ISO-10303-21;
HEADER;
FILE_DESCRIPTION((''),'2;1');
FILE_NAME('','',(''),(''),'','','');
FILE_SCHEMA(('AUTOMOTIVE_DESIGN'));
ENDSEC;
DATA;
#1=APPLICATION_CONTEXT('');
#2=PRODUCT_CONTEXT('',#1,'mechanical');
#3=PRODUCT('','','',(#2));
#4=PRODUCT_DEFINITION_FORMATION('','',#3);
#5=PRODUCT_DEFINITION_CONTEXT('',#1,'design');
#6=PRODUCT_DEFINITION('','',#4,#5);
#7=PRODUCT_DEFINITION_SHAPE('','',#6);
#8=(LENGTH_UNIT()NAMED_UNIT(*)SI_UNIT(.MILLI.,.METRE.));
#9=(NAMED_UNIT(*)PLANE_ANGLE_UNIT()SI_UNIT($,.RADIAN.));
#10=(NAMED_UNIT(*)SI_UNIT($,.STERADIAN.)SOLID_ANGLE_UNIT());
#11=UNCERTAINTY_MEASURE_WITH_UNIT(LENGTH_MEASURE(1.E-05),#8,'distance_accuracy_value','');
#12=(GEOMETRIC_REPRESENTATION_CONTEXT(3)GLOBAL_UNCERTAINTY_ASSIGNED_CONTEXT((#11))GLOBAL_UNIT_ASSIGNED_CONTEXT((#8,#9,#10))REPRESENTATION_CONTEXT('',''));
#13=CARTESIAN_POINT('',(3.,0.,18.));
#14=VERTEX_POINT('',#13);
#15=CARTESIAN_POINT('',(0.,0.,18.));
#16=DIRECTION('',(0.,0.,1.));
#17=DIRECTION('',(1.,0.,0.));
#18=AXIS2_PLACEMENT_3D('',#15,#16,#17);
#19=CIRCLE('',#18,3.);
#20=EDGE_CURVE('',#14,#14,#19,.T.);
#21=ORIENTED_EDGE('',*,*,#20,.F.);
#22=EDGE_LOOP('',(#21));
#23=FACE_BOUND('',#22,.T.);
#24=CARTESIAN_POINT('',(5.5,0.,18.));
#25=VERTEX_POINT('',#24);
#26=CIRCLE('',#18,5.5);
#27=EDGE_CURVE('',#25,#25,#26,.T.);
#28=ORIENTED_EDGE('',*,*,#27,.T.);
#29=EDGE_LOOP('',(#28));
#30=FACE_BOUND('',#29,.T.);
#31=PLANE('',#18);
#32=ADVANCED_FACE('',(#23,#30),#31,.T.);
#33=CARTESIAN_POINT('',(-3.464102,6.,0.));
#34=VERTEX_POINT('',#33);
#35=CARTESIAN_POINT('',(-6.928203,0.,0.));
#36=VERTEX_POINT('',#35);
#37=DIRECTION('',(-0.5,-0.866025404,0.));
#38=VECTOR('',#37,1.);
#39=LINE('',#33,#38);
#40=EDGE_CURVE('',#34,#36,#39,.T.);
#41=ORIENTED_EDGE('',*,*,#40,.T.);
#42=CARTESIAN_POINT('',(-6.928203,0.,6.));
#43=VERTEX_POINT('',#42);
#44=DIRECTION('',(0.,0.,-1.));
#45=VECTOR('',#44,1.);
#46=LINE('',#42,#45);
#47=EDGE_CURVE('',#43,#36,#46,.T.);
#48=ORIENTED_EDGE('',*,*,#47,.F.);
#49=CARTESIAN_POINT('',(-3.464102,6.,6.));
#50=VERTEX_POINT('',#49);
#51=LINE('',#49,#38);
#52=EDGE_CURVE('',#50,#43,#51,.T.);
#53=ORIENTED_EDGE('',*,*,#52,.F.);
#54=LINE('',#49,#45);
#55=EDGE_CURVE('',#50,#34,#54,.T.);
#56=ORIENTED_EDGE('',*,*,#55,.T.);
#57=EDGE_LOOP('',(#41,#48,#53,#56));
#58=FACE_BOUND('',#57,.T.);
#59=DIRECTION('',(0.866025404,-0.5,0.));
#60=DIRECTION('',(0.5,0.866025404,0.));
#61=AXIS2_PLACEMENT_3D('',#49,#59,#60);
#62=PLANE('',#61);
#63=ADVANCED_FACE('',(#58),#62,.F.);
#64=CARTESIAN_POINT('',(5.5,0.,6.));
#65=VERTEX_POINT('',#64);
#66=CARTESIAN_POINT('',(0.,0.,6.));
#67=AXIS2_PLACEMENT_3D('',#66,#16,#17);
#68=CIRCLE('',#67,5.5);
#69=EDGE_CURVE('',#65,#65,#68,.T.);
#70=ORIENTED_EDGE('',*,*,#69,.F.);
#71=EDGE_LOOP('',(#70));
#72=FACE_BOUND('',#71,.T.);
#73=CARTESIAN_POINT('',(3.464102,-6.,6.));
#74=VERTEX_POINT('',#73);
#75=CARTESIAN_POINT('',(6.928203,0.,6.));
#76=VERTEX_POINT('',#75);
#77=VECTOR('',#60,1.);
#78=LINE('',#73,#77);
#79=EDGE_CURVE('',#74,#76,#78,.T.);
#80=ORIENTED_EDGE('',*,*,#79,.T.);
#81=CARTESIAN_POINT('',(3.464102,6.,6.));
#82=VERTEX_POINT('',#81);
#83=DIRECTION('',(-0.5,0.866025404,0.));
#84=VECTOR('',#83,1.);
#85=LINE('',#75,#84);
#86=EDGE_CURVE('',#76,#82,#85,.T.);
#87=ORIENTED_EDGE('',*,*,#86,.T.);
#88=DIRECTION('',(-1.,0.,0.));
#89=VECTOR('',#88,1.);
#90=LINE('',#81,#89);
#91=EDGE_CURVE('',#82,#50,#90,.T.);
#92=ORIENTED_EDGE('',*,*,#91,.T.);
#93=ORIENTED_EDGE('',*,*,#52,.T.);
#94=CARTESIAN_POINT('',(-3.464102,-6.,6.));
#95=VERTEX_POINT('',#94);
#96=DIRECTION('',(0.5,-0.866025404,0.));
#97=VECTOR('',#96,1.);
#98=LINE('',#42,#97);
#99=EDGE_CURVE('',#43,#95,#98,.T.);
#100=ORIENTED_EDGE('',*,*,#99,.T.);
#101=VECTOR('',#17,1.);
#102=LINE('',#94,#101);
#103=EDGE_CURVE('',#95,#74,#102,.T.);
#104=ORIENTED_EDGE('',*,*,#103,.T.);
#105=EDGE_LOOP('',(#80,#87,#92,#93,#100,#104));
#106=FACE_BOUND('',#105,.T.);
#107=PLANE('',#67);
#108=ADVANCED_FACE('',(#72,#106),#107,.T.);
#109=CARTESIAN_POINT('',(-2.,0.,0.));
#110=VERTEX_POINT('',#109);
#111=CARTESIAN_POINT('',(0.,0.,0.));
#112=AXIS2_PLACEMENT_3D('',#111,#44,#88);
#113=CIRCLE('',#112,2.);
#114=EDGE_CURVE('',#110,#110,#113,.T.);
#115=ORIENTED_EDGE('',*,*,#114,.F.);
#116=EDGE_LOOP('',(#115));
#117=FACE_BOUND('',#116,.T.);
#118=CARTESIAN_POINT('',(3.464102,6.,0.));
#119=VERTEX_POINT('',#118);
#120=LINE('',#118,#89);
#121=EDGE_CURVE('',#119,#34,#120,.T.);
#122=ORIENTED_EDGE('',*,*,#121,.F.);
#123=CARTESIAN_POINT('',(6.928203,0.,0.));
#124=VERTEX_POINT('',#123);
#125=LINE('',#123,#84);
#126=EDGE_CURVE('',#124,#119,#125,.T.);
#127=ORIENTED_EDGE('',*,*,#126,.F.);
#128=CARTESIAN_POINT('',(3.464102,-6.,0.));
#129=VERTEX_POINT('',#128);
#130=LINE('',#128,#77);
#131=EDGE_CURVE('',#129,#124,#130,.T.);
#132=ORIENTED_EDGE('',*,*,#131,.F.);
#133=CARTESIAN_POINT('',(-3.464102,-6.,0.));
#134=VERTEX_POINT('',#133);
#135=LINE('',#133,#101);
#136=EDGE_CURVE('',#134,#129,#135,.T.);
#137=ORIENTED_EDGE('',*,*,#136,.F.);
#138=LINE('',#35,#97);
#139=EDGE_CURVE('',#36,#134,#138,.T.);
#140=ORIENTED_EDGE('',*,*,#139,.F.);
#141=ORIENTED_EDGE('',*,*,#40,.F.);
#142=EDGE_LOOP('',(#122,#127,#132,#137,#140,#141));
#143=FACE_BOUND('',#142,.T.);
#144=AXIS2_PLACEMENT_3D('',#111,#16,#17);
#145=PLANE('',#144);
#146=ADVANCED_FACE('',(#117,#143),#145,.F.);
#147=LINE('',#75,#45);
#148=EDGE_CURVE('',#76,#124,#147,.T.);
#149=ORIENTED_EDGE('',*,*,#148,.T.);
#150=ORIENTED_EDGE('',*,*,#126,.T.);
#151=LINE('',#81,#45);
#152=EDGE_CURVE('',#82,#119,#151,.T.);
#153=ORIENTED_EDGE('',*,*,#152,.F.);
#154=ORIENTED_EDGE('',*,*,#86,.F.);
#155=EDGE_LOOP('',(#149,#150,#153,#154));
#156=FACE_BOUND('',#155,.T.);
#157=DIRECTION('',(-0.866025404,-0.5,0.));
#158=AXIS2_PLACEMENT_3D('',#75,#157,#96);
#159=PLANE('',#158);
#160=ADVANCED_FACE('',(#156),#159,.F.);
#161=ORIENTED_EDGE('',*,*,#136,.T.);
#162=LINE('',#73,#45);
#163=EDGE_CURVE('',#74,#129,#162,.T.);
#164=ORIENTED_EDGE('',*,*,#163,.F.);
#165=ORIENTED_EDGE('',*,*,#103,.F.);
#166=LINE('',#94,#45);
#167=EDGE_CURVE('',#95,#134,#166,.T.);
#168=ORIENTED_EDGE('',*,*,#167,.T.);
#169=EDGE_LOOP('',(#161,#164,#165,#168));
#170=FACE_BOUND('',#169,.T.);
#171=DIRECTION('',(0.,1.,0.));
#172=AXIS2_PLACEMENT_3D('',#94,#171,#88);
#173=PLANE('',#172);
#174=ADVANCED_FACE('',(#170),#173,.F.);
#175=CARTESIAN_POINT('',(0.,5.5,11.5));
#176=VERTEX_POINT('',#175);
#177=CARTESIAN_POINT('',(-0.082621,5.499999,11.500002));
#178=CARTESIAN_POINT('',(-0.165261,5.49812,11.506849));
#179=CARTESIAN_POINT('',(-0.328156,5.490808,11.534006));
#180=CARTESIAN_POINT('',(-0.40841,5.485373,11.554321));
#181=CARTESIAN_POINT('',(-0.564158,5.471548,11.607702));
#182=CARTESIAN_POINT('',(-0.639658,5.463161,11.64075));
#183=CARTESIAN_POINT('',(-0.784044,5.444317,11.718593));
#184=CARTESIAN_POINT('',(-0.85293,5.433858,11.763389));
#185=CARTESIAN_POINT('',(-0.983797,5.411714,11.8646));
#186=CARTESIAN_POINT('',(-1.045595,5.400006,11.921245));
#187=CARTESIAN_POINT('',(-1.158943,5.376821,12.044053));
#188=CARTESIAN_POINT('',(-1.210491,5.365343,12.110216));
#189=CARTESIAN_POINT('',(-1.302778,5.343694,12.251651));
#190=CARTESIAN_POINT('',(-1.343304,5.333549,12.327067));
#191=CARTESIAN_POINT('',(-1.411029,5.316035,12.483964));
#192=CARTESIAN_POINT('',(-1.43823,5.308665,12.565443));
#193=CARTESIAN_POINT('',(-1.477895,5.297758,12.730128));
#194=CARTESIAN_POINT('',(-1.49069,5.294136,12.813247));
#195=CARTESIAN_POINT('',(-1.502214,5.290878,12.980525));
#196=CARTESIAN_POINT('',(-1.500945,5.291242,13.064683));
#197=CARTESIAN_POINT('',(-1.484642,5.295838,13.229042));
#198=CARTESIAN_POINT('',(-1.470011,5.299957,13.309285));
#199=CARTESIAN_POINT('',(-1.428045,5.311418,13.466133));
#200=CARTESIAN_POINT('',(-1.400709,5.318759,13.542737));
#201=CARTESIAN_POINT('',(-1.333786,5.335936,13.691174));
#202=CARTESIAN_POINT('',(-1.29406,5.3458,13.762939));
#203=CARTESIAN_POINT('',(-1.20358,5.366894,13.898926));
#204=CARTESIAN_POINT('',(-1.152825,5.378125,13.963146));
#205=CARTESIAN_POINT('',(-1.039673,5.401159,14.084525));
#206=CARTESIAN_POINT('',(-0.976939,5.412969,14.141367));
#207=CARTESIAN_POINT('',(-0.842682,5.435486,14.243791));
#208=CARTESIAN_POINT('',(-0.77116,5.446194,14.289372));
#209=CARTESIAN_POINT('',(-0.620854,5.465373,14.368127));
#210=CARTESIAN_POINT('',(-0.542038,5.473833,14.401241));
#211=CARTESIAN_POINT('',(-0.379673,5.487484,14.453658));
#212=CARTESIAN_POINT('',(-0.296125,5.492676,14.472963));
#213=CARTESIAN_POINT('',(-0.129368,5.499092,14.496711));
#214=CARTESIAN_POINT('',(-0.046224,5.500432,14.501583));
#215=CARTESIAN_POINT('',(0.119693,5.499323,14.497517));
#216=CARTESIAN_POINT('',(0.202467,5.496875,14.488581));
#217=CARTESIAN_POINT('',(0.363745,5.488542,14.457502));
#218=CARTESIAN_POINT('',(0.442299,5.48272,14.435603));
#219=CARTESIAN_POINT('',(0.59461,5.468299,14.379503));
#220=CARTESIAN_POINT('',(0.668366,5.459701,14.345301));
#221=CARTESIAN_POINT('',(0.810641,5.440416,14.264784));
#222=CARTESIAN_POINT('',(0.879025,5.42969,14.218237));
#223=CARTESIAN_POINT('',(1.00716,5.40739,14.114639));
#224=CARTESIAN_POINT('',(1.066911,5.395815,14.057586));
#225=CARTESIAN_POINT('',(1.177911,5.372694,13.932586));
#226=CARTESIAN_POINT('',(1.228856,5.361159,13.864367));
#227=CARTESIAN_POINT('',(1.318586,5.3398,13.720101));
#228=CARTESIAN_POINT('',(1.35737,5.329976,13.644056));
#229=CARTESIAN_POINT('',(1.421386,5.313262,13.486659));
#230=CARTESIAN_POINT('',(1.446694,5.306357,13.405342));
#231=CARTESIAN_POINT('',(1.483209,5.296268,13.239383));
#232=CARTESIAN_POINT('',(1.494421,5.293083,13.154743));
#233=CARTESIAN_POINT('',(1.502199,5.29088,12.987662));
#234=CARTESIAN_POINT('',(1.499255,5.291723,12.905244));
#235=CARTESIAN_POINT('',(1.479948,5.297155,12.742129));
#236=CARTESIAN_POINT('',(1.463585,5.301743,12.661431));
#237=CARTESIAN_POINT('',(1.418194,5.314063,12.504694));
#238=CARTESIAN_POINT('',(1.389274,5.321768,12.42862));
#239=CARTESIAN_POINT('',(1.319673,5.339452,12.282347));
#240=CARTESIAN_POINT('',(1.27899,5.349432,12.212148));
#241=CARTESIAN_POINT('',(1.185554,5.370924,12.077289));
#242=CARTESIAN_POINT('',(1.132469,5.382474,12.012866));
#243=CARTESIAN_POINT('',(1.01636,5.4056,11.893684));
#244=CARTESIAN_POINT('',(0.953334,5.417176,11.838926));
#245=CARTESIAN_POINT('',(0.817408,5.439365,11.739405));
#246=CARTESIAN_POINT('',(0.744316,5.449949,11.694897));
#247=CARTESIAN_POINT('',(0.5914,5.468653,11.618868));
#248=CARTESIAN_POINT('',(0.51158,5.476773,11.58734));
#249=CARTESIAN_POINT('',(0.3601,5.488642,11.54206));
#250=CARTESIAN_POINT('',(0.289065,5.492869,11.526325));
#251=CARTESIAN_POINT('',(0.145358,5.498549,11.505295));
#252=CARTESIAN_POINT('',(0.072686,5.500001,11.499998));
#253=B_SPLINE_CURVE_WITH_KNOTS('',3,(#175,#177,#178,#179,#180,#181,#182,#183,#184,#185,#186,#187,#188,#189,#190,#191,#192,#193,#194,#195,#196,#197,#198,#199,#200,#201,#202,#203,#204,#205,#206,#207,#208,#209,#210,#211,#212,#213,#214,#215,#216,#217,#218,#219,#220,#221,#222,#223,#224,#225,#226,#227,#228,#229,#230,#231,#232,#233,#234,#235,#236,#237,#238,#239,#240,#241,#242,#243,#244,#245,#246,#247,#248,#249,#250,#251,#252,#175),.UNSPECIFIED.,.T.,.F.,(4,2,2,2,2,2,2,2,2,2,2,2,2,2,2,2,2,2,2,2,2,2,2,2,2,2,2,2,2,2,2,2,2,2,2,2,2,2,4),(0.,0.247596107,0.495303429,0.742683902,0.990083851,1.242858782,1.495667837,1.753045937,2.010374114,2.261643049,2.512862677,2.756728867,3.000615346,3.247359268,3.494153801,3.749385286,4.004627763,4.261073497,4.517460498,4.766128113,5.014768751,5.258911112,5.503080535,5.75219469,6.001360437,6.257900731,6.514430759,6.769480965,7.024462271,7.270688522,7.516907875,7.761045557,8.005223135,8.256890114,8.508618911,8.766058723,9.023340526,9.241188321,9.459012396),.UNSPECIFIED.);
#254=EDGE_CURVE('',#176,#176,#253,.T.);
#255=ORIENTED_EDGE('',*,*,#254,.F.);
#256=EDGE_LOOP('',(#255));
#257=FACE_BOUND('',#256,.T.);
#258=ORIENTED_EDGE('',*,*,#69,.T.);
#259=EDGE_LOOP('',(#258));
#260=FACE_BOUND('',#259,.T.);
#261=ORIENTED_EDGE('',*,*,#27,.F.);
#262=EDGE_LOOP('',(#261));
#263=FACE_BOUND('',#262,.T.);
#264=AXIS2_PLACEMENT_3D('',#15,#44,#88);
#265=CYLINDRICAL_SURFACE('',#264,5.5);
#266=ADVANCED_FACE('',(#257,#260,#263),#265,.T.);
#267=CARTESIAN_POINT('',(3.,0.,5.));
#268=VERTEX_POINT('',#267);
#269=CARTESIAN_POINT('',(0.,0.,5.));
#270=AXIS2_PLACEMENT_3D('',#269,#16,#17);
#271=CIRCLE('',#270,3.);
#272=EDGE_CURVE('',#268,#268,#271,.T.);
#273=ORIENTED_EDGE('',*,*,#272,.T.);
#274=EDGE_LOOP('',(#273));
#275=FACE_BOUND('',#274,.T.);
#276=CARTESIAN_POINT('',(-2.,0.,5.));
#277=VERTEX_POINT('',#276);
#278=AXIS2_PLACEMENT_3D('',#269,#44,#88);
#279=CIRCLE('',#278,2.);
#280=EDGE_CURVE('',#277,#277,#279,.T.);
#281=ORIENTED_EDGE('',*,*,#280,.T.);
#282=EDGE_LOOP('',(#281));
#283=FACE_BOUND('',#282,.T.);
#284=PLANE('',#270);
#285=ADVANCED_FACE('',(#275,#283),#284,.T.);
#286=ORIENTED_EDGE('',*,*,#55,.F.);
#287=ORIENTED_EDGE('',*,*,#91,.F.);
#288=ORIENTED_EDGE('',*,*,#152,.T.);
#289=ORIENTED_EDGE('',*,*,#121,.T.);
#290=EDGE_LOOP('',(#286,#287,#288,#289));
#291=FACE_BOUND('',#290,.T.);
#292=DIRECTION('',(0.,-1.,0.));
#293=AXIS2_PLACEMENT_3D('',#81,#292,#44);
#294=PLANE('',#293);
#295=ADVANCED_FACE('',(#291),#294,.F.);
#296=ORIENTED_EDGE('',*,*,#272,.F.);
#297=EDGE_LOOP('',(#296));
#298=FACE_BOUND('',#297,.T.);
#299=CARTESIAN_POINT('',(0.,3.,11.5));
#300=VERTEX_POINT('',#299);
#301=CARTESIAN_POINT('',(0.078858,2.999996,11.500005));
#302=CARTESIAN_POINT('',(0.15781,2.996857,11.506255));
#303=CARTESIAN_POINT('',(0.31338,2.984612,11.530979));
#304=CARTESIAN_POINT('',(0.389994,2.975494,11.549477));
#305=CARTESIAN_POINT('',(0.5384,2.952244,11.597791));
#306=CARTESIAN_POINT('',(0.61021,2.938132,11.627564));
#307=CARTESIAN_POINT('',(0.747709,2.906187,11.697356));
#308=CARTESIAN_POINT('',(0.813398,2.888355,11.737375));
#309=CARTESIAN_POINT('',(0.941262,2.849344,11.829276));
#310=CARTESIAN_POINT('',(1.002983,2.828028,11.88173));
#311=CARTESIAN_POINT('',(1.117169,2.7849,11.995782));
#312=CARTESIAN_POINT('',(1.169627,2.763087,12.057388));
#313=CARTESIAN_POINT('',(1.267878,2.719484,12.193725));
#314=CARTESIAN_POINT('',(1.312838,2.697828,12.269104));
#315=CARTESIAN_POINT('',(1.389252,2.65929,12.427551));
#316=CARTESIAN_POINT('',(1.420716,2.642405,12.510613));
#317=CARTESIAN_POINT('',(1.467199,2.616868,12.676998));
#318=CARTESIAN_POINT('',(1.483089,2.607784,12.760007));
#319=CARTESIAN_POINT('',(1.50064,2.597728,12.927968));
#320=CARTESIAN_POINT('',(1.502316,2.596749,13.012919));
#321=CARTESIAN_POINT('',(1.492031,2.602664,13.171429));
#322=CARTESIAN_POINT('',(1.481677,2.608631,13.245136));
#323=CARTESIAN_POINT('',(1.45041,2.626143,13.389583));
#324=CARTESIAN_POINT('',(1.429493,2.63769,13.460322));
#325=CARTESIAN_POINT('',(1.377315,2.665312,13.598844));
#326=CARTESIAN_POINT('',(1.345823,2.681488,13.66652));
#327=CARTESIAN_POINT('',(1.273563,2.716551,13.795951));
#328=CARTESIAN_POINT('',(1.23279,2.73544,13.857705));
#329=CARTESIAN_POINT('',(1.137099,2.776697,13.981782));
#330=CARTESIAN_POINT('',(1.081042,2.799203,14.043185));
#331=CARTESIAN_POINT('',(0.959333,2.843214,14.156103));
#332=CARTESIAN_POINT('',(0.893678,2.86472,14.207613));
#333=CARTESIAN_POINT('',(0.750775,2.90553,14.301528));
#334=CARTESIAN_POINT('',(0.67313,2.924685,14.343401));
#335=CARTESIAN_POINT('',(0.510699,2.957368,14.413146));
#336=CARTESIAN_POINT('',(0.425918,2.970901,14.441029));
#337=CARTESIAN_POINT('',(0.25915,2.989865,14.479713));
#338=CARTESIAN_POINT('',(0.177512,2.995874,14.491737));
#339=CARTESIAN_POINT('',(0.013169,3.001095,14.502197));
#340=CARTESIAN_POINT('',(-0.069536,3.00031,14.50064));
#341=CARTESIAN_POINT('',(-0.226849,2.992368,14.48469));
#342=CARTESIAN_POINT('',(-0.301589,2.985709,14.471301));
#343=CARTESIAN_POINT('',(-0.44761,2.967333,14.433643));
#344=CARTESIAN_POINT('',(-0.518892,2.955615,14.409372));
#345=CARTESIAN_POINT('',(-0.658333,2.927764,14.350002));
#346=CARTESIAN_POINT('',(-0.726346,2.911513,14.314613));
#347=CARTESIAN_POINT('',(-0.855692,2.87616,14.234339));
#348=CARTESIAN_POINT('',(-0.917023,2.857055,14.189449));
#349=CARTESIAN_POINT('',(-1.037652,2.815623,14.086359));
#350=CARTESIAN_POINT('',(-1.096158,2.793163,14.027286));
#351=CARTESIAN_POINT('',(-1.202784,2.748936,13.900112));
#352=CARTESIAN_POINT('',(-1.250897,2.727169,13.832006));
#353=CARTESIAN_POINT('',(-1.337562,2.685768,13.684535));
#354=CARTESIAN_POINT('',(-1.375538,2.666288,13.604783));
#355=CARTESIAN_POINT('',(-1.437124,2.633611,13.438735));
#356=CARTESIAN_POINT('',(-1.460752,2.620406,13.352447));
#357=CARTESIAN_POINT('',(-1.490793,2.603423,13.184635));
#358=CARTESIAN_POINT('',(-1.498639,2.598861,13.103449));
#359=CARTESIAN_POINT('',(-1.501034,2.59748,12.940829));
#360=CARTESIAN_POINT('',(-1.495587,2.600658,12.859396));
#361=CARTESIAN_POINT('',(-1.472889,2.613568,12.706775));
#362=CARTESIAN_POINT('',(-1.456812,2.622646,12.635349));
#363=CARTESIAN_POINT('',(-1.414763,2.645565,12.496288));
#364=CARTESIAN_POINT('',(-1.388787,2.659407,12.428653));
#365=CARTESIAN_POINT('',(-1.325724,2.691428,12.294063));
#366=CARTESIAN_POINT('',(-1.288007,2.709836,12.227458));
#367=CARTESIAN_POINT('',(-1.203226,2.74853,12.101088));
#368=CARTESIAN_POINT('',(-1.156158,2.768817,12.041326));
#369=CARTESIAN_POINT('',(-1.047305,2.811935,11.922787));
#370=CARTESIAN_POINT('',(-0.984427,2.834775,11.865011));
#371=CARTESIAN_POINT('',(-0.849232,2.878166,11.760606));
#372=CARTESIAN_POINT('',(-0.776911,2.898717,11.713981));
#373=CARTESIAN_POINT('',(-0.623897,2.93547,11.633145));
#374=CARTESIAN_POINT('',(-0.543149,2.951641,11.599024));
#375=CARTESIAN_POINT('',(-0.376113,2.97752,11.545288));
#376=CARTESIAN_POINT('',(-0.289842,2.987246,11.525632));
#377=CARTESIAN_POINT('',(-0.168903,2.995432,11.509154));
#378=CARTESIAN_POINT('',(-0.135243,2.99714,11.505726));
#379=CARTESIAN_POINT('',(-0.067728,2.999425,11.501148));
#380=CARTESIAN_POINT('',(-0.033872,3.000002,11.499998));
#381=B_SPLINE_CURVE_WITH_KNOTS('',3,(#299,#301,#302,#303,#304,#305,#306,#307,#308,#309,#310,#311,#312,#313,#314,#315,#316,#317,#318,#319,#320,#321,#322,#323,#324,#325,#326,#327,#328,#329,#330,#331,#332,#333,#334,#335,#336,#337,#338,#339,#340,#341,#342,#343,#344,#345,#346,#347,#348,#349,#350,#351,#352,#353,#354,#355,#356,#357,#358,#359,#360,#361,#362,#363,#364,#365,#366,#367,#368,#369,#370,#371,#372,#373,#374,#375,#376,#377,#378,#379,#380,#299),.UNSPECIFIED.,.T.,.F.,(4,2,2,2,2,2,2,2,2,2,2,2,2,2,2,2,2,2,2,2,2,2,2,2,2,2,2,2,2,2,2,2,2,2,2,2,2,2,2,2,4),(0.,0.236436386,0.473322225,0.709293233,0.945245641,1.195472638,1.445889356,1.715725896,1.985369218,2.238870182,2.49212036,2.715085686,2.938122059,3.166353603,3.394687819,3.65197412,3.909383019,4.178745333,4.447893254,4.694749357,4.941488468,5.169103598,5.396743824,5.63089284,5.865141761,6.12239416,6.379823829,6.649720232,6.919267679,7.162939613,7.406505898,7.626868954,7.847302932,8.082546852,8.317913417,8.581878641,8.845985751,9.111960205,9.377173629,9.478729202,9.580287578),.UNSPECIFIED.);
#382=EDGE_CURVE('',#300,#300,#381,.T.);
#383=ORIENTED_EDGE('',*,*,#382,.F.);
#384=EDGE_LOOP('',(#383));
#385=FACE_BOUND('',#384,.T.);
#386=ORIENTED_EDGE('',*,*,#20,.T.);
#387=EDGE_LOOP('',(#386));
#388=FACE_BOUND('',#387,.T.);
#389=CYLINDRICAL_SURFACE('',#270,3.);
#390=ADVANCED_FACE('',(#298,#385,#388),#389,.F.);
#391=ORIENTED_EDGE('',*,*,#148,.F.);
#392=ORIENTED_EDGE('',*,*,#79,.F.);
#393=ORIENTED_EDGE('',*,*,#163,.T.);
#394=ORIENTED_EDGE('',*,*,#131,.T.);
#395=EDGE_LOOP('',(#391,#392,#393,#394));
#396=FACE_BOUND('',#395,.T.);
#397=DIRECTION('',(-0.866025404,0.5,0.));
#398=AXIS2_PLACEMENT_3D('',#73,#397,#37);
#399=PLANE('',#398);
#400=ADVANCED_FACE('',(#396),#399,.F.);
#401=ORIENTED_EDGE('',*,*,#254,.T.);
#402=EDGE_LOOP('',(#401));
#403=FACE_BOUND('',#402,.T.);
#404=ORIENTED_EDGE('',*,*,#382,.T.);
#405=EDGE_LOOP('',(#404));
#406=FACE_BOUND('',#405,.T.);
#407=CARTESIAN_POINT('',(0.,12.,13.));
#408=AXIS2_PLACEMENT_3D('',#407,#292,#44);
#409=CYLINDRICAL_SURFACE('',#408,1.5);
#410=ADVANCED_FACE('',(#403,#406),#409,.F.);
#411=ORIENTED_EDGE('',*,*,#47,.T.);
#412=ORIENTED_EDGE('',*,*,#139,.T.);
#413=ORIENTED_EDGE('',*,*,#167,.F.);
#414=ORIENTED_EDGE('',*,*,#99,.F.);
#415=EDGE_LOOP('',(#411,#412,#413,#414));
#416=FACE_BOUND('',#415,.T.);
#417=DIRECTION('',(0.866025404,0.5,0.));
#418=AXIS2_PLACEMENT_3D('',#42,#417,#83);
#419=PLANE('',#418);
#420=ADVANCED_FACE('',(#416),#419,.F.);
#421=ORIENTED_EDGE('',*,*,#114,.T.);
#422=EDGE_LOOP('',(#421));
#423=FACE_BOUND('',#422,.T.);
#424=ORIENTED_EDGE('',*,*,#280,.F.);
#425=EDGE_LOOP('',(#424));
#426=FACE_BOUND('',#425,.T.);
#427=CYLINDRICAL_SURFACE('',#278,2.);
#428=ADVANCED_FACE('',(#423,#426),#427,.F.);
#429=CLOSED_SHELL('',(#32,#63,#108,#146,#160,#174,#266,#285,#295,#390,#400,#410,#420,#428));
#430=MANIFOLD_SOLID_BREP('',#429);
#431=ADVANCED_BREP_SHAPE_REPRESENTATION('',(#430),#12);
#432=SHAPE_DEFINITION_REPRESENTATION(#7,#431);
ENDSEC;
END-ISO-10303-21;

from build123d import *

# Parameters (mm, degrees)
EXTRUDE_1_DEPTH     = 6
SKETCH_2_R          = 5.5
EXTRUDE_2_DEPTH     = 12
SKETCH_3_R          = 3
CUT_EXTRUDE_1_DEPTH = 13
SKETCH_4_R          = 2
CUT_EXTRUDE_2_DEPTH = 5
SKETCH_5_R          = 1.5
CUT_EXTRUDE_3_DEPTH = 12


with BuildPart() as part:
    # 草图1 → 凸台-拉伸1 (new body)
    with BuildSketch(Plane.XY):
        Polygon((6.92820323, 0), (3.464101615, 6), (-3.464101615, 6), (-6.92820323, 0), (-3.464101615, -6), (3.464101615, -6), align=None)
    extrude(amount=EXTRUDE_1_DEPTH)

    # 草图2 → 凸台-拉伸2 (add)
    with BuildSketch(Plane.XY.offset(6)):
        Circle(SKETCH_2_R)
    extrude(amount=EXTRUDE_2_DEPTH)

    # 草图3 → 切除-拉伸1 (cut)
    with BuildSketch(Plane.XY.offset(18)):
        Circle(SKETCH_3_R)
    extrude(amount=-CUT_EXTRUDE_1_DEPTH, mode=Mode.SUBTRACT)

    # 草图4 → 切除-拉伸2 (cut)
    with BuildSketch(Plane(origin=(0, 0, 0), x_dir=(-1, 0, 0), z_dir=(0, 0, -1))):
        Circle(SKETCH_4_R)
    extrude(amount=-CUT_EXTRUDE_2_DEPTH, mode=Mode.SUBTRACT)

    # 草图5 → 切除-拉伸3 (cut)
    with BuildSketch(Plane(origin=(0, 0, 0), x_dir=(1, 0, 0), z_dir=(0, 1, 0))):
        with Locations(Location((0, -13, 0), (0, 0, 90))):
            Circle(SKETCH_5_R)
    extrude(amount=CUT_EXTRUDE_3_DEPTH, mode=Mode.SUBTRACT)


solid = part.part
